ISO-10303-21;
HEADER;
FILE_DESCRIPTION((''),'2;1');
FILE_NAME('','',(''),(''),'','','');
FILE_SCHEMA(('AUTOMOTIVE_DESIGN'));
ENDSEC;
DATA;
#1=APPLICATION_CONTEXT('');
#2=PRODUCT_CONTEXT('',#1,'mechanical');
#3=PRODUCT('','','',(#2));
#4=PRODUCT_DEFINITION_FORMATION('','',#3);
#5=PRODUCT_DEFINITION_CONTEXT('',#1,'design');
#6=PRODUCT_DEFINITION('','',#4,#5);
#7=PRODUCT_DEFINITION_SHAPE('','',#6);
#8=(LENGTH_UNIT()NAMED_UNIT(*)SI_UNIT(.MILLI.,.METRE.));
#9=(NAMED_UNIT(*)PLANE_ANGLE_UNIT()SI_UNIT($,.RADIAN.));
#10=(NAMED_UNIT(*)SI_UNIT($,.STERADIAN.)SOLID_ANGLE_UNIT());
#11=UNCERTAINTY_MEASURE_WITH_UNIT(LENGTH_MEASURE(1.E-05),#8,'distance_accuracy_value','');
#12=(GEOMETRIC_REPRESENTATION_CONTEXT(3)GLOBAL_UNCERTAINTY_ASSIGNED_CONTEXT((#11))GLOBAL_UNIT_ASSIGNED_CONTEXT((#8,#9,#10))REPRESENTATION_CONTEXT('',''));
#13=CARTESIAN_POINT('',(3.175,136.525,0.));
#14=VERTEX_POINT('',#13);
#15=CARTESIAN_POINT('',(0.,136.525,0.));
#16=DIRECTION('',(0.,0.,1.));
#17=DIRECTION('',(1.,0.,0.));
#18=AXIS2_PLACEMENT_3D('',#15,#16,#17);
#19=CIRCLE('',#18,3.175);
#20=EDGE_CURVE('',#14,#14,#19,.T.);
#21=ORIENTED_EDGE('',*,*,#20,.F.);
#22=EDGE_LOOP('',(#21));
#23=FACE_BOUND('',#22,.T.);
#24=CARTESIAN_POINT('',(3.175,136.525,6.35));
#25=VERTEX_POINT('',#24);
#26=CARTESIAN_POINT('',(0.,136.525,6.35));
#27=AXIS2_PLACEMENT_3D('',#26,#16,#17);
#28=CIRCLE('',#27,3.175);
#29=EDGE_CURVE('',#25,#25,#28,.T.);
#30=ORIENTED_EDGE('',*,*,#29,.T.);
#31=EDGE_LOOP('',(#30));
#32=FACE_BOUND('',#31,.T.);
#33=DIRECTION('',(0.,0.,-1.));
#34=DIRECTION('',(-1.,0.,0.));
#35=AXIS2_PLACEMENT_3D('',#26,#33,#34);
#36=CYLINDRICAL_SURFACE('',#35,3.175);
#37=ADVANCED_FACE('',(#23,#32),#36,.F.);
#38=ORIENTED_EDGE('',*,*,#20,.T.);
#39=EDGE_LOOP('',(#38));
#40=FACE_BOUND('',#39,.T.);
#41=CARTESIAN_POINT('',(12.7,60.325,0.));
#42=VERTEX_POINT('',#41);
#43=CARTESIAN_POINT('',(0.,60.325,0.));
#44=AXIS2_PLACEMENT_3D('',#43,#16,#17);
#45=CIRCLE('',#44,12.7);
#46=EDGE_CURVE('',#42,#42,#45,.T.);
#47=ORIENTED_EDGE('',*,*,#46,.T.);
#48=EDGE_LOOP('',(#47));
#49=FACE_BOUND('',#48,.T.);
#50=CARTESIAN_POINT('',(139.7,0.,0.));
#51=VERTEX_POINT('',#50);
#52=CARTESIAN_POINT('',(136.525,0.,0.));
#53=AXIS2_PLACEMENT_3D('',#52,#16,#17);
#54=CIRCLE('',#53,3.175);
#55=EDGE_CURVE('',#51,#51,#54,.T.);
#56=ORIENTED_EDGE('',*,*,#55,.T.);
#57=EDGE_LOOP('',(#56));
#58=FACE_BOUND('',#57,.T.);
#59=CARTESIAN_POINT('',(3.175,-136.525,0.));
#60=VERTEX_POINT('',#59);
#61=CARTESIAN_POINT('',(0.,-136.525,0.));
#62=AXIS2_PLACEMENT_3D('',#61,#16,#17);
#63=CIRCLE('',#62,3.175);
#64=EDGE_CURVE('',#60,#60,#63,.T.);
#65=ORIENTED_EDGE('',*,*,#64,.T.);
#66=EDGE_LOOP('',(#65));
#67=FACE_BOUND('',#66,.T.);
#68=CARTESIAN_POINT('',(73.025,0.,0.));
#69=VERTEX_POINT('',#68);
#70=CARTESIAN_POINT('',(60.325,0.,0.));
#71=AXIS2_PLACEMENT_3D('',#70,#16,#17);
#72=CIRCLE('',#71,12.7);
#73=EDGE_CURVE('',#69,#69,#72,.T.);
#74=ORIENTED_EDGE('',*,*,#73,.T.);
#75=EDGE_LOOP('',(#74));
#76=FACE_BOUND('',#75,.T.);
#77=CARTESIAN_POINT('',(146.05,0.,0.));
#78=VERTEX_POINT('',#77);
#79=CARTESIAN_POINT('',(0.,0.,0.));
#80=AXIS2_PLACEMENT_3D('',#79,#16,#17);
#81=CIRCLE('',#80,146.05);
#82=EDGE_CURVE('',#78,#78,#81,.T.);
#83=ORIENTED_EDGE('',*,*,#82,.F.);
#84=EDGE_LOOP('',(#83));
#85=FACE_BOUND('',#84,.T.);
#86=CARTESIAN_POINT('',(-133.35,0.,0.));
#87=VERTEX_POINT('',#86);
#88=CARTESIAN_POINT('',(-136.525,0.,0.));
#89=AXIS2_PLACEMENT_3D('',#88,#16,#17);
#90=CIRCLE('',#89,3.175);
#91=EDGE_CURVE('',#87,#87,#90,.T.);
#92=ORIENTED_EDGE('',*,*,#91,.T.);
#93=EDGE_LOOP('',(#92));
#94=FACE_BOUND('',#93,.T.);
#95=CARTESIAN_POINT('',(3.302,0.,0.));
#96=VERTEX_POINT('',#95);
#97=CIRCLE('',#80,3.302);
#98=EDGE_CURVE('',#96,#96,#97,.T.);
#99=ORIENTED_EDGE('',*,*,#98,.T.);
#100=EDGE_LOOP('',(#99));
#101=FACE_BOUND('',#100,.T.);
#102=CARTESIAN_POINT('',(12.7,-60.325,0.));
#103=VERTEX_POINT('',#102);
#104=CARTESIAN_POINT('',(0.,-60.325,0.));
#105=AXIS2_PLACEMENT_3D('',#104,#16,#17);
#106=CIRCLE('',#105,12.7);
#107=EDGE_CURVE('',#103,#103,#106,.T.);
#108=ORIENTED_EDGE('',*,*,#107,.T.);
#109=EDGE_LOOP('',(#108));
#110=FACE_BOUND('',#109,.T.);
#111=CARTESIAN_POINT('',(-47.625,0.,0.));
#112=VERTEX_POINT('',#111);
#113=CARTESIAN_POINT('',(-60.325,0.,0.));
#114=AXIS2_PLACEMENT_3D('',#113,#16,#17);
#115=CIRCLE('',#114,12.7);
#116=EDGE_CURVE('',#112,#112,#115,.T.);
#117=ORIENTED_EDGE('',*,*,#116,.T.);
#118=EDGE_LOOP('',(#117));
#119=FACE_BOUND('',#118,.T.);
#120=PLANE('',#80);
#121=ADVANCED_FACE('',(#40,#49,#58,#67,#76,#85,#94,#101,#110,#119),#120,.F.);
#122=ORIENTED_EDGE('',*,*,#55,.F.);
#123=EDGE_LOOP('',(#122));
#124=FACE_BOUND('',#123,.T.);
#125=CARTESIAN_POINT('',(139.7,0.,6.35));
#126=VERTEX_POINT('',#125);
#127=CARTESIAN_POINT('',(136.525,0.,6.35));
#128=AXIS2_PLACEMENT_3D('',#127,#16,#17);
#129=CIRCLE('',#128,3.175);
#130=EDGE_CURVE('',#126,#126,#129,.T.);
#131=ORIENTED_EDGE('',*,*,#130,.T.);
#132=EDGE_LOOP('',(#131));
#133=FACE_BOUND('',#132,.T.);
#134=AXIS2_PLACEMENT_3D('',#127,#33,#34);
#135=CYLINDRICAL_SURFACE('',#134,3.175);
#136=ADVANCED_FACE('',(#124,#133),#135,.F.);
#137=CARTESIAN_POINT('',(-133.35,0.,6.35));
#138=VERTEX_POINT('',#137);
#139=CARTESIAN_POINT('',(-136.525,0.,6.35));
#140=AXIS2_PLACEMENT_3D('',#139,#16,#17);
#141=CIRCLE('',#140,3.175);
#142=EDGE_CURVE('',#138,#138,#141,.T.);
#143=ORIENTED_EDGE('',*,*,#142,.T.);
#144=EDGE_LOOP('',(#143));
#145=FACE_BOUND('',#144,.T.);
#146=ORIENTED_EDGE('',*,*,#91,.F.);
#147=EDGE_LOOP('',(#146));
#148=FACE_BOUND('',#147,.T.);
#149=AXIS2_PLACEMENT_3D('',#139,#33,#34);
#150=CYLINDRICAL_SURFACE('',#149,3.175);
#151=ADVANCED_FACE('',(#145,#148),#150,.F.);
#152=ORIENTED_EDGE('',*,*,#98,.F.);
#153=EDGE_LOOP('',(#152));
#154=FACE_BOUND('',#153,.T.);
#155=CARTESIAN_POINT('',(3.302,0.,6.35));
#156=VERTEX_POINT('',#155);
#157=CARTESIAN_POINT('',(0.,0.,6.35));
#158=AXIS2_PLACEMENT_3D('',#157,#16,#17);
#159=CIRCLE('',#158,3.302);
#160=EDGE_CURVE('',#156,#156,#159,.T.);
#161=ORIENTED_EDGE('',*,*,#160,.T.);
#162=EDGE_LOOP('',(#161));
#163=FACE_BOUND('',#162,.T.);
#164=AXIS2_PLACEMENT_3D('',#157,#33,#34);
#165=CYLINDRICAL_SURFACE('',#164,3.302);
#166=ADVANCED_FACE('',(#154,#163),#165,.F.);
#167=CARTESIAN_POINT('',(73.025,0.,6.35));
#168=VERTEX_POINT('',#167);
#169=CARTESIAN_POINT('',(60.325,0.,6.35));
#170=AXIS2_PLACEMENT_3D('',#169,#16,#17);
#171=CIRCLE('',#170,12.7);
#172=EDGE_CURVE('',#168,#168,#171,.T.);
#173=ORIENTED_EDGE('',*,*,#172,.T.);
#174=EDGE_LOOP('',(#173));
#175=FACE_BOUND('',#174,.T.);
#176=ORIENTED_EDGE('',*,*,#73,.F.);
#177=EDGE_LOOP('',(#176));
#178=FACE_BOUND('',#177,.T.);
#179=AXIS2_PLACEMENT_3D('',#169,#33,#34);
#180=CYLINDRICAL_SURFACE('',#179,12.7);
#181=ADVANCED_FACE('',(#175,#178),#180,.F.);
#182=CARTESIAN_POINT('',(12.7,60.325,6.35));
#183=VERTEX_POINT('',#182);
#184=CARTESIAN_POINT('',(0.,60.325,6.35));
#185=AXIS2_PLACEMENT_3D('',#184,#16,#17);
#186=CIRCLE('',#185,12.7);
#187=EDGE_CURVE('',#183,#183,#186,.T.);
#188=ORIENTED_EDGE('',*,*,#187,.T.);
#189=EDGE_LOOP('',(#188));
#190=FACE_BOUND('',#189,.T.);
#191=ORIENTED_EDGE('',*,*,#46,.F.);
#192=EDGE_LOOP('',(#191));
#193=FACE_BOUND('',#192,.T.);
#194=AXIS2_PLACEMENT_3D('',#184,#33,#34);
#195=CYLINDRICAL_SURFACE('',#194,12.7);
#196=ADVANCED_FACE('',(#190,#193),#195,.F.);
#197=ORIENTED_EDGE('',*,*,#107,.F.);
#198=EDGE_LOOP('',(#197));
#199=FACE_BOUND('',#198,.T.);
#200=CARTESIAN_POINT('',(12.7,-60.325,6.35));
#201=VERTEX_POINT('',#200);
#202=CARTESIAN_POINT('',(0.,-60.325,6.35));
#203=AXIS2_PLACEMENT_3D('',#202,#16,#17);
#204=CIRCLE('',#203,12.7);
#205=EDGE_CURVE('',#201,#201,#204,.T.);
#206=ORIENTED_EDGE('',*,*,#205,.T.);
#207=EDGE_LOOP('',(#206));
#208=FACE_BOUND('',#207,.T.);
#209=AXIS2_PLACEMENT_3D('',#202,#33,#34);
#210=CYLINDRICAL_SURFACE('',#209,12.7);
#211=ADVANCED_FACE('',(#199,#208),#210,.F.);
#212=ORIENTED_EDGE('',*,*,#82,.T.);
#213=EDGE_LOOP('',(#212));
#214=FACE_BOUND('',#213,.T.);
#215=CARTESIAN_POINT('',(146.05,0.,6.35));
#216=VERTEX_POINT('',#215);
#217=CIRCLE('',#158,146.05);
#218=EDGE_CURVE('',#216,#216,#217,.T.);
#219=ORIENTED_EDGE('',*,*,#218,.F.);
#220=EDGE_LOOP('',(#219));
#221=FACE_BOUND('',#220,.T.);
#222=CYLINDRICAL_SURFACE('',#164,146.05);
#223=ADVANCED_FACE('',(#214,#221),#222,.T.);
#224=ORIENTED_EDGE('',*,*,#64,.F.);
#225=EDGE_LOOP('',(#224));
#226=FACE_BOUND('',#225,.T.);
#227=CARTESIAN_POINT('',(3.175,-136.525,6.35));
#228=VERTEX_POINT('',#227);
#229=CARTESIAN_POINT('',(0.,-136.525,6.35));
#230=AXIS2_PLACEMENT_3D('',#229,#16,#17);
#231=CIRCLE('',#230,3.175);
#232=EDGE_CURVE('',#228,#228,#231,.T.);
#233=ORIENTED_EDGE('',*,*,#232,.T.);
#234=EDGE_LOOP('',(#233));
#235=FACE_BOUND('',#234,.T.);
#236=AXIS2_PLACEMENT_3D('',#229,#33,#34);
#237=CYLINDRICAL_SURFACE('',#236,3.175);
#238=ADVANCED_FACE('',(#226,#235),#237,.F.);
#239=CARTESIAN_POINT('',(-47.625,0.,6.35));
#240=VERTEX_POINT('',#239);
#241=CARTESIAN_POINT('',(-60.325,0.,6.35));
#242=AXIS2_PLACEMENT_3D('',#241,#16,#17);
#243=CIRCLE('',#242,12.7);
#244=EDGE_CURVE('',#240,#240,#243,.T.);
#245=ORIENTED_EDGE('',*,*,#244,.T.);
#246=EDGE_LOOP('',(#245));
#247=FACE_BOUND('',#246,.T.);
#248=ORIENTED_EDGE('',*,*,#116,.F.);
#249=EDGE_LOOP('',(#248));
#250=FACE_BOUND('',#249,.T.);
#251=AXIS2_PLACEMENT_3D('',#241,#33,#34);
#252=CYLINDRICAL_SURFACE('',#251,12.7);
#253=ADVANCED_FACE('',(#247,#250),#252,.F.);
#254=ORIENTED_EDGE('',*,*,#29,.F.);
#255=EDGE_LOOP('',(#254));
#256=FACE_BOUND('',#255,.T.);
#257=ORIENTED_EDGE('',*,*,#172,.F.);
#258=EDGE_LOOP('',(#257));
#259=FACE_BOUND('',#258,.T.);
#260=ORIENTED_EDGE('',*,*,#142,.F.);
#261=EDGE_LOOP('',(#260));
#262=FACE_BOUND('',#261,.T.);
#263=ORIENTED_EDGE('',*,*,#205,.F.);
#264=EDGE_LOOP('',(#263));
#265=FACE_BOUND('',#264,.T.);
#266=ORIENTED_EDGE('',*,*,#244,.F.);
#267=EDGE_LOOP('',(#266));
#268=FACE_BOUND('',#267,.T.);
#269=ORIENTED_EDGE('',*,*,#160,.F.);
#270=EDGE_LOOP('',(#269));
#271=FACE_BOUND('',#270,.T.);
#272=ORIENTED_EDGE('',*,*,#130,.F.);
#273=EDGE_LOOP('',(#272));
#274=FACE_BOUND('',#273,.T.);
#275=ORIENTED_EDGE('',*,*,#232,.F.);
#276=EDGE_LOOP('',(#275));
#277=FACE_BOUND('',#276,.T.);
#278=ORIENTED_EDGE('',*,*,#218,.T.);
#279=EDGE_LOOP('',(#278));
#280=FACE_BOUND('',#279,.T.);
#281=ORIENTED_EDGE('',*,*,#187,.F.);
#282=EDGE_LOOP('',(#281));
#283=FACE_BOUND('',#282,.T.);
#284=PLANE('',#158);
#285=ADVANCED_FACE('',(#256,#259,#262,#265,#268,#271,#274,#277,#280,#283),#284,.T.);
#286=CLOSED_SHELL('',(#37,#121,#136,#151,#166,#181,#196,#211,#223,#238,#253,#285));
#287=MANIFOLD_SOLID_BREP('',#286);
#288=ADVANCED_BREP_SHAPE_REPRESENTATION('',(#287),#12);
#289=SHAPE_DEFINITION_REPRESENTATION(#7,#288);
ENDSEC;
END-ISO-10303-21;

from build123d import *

# Parameters (mm, degrees)
SKETCH1_R           = 146.05
SKETCH1_R_2         = 3.175
SKETCH1_R_3         = 12.7
SKETCH1_R_4         = 3.302
BOSS_EXTRUDE1_DEPTH = 6.35


with BuildPart() as part:
    # Sketch1 → Boss-Extrude1 (new body)
    with BuildSketch(Plane.XY):
        Circle(SKETCH1_R)
        with Locations((0, 136.525)):
            Circle(SKETCH1_R_2, mode=Mode.SUBTRACT)
        with Locations((136.525, 0)):
            Circle(SKETCH1_R_2, mode=Mode.SUBTRACT)
        with Locations((0, -136.525)):
            Circle(SKETCH1_R_2, mode=Mode.SUBTRACT)
        with Locations((-136.525, 0)):
            Circle(SKETCH1_R_2, mode=Mode.SUBTRACT)
        with Locations((0, 60.325)):
            Circle(SKETCH1_R_3, mode=Mode.SUBTRACT)
        with Locations((60.325, 0)):
            Circle(SKETCH1_R_3, mode=Mode.SUBTRACT)
        with Locations((0, -60.325)):
            Circle(SKETCH1_R_3, mode=Mode.SUBTRACT)
        with Locations((-60.325, 0)):
            Circle(SKETCH1_R_3, mode=Mode.SUBTRACT)
        Circle(SKETCH1_R_4, mode=Mode.SUBTRACT)
    extrude(amount=BOSS_EXTRUDE1_DEPTH)


solid = part.part
